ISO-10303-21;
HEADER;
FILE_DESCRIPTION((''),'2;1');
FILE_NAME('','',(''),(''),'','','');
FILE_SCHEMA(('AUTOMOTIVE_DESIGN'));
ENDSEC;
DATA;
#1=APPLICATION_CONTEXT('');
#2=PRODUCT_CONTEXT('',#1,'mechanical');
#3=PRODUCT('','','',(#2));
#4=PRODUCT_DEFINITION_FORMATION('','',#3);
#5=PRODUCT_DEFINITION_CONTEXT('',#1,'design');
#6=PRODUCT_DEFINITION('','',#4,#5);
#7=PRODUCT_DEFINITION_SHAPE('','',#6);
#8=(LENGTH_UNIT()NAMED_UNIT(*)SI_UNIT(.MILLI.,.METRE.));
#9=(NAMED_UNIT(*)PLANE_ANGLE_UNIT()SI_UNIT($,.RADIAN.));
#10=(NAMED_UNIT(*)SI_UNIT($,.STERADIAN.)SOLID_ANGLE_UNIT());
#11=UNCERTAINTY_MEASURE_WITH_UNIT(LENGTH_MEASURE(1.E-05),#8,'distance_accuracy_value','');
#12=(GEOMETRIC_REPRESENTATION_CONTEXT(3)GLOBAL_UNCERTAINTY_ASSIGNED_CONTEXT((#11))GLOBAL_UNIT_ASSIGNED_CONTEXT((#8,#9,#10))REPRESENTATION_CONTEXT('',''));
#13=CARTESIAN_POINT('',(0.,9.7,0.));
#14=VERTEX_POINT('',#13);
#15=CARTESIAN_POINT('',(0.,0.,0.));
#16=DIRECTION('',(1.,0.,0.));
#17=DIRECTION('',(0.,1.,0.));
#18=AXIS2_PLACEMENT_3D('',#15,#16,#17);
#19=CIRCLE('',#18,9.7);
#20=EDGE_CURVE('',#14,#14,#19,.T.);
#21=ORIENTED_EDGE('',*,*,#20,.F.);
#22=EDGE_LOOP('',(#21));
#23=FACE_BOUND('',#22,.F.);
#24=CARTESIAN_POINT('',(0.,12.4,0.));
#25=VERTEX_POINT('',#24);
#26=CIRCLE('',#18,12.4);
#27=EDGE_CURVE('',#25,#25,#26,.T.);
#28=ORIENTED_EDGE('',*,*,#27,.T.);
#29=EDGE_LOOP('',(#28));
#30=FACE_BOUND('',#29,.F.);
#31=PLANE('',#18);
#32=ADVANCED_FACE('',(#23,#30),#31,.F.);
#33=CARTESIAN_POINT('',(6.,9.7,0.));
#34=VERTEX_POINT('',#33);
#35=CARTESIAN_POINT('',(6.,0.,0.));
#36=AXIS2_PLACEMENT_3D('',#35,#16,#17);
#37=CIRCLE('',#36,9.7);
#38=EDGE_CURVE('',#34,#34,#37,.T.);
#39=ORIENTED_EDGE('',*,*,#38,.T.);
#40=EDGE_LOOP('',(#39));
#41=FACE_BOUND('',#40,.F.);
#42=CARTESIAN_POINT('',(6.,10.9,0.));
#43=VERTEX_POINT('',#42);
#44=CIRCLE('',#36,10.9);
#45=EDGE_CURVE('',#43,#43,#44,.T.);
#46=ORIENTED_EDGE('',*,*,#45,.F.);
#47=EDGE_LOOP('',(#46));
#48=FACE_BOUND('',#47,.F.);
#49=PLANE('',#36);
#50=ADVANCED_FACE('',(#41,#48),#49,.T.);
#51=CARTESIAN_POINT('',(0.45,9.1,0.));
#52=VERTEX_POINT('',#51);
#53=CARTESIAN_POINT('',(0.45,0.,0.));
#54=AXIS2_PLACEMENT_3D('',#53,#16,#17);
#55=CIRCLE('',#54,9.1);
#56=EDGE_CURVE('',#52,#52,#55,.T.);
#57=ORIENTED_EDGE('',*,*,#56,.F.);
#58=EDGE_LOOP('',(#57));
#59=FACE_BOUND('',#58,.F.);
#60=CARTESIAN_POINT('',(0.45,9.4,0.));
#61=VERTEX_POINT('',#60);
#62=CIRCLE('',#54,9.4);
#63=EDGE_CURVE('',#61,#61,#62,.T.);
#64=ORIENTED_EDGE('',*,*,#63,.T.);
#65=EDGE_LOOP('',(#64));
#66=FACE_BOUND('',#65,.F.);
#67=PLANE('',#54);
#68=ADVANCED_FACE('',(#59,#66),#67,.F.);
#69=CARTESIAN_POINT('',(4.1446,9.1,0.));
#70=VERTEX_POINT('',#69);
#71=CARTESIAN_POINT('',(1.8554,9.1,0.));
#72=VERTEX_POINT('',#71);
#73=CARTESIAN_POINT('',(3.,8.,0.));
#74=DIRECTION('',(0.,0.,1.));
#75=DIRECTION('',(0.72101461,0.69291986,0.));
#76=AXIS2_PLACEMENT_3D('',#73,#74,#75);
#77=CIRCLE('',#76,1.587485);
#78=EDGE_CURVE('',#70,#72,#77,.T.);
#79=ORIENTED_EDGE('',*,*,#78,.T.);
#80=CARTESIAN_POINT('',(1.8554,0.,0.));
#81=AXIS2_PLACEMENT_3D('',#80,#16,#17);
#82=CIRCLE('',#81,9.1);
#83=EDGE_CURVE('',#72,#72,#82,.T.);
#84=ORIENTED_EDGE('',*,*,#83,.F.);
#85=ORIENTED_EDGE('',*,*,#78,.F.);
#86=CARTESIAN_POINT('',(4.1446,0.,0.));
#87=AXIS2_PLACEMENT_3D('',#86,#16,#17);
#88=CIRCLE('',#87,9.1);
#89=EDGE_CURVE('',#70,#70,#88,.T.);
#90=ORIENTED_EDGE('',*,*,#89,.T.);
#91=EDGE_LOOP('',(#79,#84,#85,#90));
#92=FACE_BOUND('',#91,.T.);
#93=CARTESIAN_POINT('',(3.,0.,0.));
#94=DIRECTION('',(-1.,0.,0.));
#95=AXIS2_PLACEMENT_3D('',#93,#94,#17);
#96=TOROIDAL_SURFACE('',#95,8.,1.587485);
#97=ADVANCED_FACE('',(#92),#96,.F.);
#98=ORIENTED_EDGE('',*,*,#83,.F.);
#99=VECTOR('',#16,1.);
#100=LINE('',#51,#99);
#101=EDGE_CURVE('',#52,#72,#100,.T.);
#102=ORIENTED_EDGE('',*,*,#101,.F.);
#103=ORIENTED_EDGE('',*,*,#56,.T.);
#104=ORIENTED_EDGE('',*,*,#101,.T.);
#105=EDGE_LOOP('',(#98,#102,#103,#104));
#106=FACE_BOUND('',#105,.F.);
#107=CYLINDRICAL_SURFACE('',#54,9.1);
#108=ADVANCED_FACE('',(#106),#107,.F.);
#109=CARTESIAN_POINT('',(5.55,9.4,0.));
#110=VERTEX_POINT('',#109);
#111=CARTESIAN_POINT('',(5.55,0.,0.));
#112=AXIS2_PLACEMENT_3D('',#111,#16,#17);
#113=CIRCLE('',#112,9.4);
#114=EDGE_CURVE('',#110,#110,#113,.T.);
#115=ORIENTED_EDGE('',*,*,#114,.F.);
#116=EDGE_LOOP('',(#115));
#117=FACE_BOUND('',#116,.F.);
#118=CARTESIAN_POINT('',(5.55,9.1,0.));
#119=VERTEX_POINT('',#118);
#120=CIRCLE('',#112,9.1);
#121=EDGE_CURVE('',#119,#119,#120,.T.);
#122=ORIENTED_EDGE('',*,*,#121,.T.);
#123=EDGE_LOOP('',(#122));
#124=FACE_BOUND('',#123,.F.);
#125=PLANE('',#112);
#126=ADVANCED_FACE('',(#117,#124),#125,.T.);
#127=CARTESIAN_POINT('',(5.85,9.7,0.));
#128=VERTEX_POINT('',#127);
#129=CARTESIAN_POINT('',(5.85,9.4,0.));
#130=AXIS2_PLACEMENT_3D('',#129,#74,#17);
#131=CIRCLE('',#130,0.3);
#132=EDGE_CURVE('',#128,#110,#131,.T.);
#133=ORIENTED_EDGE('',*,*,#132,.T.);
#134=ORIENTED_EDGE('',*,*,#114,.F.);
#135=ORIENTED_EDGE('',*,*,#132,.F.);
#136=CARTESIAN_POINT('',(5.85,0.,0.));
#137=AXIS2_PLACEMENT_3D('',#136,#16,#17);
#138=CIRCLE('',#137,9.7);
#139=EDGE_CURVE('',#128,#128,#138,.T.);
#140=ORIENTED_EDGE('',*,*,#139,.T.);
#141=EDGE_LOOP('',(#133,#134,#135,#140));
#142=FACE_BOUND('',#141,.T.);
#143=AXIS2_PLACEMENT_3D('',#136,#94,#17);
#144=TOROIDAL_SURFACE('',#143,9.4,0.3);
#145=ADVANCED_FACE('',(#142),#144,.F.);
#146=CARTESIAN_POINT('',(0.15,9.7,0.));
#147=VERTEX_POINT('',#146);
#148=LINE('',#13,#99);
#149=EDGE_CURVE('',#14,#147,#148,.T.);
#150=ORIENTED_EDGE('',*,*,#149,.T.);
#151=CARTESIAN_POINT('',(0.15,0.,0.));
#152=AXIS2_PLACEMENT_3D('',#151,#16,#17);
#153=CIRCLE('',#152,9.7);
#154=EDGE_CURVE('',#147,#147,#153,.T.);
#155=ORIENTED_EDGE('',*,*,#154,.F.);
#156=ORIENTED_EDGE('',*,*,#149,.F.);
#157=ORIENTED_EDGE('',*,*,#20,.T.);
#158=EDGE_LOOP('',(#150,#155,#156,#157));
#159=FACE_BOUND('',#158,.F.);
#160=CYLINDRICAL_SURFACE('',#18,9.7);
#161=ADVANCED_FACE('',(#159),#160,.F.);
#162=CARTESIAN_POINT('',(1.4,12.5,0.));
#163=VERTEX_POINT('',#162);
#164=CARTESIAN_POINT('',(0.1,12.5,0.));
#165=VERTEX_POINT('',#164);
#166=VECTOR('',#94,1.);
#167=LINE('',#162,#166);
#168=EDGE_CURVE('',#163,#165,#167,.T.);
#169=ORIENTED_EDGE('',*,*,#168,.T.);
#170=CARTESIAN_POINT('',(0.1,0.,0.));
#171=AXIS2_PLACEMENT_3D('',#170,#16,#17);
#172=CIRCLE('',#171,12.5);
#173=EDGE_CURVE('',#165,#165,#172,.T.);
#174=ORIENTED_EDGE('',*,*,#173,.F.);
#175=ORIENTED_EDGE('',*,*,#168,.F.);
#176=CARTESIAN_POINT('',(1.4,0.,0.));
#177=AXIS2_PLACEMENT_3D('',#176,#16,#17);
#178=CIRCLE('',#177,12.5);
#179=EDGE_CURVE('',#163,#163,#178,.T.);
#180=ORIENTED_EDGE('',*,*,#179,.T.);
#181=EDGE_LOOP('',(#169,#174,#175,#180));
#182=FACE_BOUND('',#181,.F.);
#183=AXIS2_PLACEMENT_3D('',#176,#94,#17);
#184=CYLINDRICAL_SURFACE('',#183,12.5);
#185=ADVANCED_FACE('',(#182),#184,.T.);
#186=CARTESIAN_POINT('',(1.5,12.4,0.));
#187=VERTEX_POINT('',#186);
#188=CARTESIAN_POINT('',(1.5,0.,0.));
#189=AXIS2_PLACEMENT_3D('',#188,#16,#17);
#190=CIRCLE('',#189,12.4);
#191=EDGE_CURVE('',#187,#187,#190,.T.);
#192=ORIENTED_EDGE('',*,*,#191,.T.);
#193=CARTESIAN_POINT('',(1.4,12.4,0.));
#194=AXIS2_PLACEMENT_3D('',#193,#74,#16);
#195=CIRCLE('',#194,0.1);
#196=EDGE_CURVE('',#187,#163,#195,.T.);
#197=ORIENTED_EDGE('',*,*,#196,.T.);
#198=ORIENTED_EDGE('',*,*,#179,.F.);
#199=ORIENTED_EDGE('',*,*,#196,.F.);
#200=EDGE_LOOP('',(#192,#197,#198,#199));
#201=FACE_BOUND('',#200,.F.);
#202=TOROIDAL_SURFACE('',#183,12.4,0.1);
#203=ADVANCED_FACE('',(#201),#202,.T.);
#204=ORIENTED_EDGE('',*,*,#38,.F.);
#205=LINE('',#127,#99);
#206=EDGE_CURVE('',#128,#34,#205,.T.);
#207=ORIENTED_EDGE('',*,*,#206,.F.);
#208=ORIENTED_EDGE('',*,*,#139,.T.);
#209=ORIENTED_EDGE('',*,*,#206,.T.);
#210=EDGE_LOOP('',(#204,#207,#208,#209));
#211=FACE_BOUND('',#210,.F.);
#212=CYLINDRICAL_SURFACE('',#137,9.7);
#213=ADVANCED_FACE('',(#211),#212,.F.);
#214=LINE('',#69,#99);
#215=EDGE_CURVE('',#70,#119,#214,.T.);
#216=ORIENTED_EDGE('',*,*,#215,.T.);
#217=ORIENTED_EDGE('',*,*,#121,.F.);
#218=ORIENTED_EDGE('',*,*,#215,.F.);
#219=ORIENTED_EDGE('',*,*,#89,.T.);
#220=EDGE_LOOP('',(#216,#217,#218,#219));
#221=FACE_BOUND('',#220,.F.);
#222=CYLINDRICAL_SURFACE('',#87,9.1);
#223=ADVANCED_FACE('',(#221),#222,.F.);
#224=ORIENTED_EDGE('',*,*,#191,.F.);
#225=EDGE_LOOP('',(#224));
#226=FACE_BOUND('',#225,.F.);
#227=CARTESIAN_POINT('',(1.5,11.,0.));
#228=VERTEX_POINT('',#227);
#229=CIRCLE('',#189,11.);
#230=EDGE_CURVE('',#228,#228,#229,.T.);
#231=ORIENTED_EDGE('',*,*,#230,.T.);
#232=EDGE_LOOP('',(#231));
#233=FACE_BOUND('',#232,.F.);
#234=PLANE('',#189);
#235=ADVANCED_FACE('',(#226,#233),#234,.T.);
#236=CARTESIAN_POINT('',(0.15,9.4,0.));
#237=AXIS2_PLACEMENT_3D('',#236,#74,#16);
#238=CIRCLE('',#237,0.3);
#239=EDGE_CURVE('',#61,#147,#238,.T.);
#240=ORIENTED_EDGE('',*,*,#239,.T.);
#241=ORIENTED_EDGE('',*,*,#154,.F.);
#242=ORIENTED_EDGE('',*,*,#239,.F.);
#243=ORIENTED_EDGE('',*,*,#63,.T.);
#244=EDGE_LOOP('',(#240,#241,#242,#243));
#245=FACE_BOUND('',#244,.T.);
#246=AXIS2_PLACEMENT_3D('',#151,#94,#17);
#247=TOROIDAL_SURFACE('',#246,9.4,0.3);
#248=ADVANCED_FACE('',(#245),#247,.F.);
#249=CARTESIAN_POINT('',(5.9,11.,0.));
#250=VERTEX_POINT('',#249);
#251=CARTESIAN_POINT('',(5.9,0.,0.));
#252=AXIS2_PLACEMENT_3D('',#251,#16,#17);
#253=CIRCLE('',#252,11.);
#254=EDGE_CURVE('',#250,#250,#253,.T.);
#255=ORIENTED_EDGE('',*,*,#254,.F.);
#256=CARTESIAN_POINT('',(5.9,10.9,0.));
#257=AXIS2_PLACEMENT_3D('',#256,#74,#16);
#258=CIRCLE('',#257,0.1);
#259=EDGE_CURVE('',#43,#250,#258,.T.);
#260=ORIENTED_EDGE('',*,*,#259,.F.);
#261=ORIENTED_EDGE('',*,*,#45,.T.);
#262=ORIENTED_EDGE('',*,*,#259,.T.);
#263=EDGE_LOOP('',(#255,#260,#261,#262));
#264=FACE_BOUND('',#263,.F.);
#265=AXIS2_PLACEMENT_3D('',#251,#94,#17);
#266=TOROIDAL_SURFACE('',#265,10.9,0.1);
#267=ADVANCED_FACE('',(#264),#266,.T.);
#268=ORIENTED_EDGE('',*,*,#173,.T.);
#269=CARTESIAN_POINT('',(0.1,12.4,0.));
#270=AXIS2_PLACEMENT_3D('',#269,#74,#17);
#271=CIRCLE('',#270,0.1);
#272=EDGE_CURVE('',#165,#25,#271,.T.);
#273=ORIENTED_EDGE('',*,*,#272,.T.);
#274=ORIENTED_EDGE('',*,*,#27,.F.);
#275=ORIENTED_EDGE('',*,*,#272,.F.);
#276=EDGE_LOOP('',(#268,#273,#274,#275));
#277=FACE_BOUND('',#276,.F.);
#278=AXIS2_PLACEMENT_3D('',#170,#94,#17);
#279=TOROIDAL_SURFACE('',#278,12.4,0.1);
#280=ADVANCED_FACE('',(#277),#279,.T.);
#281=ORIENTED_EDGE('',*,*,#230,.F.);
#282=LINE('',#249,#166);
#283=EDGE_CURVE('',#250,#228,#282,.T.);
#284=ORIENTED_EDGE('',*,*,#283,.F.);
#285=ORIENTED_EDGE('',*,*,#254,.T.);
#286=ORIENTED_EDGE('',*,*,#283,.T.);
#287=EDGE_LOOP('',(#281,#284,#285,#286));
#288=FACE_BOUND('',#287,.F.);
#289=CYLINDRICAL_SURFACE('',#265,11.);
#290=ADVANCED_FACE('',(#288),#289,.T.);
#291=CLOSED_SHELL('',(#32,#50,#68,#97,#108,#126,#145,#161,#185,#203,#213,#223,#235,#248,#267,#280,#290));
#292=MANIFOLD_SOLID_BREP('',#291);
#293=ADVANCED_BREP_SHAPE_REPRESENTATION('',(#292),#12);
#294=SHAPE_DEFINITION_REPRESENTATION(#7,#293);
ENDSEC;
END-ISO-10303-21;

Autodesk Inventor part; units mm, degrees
ref_plane "YZ Plane" through (0, 0, 0) normal (1, 0, 0) x (0, 1, 0)
ref_plane "XZ Plane" through (0, 0, 0) normal (0, 1, 0) x (-1, 0, 0)
ref_plane "XY Plane" through (0, 0, 0) normal (0, 0, 1) x (1, 0, 0)
sketch "Sketch_21" plane through (0, 0, 0) normal (0, 0, 1) x (1, 0, 0)
  line L0 (50, 0) -> (-50, 0)
  line L1 (0, 12.4) -> (0, 9.7)
  line L2 (0, 9.7) -> (0.15, 9.7)
  arc A0 (0.45, 9.4) -> (0.15, 9.7) centre (0.15, 9.4) ccw
  line L3 (0.45, 9.4) -> (0.45, 9.1)
  line L4 (0.45, 9.1) -> (1.8554, 9.1)
  arc A1 (4.1446, 9.1) -> (1.8554, 9.1) centre (3, 8) ccw
  line L5 (4.1446, 9.1) -> (5.55, 9.1)
  line L6 (5.55, 9.1) -> (5.55, 9.4)
  arc A2 (5.85, 9.7) -> (5.55, 9.4) centre (5.85, 9.4) ccw
  line L7 (5.85, 9.7) -> (6, 9.7)
  line L8 (6, 9.7) -> (6, 10.9)
  arc A3 (6, 10.9) -> (5.9, 11) centre (5.9, 10.9) ccw
  line L9 (5.9, 11) -> (1.5, 11)
  line L10 (1.5, 11) -> (1.5, 12.4)
  arc A4 (1.5, 12.4) -> (1.4, 12.5) centre (1.4, 12.4) ccw
  line L11 (1.4, 12.5) -> (0.1, 12.5)
  arc A5 (0.1, 12.5) -> (0, 12.4) centre (0.1, 12.4) ccw
revolve "Revolution1" add sketch "Sketch_21" angle 360 about axis through (50, 0, 0) along (1, 0, 0)
properties part number "SKF_W 61900 R-2RS1_PART2"
